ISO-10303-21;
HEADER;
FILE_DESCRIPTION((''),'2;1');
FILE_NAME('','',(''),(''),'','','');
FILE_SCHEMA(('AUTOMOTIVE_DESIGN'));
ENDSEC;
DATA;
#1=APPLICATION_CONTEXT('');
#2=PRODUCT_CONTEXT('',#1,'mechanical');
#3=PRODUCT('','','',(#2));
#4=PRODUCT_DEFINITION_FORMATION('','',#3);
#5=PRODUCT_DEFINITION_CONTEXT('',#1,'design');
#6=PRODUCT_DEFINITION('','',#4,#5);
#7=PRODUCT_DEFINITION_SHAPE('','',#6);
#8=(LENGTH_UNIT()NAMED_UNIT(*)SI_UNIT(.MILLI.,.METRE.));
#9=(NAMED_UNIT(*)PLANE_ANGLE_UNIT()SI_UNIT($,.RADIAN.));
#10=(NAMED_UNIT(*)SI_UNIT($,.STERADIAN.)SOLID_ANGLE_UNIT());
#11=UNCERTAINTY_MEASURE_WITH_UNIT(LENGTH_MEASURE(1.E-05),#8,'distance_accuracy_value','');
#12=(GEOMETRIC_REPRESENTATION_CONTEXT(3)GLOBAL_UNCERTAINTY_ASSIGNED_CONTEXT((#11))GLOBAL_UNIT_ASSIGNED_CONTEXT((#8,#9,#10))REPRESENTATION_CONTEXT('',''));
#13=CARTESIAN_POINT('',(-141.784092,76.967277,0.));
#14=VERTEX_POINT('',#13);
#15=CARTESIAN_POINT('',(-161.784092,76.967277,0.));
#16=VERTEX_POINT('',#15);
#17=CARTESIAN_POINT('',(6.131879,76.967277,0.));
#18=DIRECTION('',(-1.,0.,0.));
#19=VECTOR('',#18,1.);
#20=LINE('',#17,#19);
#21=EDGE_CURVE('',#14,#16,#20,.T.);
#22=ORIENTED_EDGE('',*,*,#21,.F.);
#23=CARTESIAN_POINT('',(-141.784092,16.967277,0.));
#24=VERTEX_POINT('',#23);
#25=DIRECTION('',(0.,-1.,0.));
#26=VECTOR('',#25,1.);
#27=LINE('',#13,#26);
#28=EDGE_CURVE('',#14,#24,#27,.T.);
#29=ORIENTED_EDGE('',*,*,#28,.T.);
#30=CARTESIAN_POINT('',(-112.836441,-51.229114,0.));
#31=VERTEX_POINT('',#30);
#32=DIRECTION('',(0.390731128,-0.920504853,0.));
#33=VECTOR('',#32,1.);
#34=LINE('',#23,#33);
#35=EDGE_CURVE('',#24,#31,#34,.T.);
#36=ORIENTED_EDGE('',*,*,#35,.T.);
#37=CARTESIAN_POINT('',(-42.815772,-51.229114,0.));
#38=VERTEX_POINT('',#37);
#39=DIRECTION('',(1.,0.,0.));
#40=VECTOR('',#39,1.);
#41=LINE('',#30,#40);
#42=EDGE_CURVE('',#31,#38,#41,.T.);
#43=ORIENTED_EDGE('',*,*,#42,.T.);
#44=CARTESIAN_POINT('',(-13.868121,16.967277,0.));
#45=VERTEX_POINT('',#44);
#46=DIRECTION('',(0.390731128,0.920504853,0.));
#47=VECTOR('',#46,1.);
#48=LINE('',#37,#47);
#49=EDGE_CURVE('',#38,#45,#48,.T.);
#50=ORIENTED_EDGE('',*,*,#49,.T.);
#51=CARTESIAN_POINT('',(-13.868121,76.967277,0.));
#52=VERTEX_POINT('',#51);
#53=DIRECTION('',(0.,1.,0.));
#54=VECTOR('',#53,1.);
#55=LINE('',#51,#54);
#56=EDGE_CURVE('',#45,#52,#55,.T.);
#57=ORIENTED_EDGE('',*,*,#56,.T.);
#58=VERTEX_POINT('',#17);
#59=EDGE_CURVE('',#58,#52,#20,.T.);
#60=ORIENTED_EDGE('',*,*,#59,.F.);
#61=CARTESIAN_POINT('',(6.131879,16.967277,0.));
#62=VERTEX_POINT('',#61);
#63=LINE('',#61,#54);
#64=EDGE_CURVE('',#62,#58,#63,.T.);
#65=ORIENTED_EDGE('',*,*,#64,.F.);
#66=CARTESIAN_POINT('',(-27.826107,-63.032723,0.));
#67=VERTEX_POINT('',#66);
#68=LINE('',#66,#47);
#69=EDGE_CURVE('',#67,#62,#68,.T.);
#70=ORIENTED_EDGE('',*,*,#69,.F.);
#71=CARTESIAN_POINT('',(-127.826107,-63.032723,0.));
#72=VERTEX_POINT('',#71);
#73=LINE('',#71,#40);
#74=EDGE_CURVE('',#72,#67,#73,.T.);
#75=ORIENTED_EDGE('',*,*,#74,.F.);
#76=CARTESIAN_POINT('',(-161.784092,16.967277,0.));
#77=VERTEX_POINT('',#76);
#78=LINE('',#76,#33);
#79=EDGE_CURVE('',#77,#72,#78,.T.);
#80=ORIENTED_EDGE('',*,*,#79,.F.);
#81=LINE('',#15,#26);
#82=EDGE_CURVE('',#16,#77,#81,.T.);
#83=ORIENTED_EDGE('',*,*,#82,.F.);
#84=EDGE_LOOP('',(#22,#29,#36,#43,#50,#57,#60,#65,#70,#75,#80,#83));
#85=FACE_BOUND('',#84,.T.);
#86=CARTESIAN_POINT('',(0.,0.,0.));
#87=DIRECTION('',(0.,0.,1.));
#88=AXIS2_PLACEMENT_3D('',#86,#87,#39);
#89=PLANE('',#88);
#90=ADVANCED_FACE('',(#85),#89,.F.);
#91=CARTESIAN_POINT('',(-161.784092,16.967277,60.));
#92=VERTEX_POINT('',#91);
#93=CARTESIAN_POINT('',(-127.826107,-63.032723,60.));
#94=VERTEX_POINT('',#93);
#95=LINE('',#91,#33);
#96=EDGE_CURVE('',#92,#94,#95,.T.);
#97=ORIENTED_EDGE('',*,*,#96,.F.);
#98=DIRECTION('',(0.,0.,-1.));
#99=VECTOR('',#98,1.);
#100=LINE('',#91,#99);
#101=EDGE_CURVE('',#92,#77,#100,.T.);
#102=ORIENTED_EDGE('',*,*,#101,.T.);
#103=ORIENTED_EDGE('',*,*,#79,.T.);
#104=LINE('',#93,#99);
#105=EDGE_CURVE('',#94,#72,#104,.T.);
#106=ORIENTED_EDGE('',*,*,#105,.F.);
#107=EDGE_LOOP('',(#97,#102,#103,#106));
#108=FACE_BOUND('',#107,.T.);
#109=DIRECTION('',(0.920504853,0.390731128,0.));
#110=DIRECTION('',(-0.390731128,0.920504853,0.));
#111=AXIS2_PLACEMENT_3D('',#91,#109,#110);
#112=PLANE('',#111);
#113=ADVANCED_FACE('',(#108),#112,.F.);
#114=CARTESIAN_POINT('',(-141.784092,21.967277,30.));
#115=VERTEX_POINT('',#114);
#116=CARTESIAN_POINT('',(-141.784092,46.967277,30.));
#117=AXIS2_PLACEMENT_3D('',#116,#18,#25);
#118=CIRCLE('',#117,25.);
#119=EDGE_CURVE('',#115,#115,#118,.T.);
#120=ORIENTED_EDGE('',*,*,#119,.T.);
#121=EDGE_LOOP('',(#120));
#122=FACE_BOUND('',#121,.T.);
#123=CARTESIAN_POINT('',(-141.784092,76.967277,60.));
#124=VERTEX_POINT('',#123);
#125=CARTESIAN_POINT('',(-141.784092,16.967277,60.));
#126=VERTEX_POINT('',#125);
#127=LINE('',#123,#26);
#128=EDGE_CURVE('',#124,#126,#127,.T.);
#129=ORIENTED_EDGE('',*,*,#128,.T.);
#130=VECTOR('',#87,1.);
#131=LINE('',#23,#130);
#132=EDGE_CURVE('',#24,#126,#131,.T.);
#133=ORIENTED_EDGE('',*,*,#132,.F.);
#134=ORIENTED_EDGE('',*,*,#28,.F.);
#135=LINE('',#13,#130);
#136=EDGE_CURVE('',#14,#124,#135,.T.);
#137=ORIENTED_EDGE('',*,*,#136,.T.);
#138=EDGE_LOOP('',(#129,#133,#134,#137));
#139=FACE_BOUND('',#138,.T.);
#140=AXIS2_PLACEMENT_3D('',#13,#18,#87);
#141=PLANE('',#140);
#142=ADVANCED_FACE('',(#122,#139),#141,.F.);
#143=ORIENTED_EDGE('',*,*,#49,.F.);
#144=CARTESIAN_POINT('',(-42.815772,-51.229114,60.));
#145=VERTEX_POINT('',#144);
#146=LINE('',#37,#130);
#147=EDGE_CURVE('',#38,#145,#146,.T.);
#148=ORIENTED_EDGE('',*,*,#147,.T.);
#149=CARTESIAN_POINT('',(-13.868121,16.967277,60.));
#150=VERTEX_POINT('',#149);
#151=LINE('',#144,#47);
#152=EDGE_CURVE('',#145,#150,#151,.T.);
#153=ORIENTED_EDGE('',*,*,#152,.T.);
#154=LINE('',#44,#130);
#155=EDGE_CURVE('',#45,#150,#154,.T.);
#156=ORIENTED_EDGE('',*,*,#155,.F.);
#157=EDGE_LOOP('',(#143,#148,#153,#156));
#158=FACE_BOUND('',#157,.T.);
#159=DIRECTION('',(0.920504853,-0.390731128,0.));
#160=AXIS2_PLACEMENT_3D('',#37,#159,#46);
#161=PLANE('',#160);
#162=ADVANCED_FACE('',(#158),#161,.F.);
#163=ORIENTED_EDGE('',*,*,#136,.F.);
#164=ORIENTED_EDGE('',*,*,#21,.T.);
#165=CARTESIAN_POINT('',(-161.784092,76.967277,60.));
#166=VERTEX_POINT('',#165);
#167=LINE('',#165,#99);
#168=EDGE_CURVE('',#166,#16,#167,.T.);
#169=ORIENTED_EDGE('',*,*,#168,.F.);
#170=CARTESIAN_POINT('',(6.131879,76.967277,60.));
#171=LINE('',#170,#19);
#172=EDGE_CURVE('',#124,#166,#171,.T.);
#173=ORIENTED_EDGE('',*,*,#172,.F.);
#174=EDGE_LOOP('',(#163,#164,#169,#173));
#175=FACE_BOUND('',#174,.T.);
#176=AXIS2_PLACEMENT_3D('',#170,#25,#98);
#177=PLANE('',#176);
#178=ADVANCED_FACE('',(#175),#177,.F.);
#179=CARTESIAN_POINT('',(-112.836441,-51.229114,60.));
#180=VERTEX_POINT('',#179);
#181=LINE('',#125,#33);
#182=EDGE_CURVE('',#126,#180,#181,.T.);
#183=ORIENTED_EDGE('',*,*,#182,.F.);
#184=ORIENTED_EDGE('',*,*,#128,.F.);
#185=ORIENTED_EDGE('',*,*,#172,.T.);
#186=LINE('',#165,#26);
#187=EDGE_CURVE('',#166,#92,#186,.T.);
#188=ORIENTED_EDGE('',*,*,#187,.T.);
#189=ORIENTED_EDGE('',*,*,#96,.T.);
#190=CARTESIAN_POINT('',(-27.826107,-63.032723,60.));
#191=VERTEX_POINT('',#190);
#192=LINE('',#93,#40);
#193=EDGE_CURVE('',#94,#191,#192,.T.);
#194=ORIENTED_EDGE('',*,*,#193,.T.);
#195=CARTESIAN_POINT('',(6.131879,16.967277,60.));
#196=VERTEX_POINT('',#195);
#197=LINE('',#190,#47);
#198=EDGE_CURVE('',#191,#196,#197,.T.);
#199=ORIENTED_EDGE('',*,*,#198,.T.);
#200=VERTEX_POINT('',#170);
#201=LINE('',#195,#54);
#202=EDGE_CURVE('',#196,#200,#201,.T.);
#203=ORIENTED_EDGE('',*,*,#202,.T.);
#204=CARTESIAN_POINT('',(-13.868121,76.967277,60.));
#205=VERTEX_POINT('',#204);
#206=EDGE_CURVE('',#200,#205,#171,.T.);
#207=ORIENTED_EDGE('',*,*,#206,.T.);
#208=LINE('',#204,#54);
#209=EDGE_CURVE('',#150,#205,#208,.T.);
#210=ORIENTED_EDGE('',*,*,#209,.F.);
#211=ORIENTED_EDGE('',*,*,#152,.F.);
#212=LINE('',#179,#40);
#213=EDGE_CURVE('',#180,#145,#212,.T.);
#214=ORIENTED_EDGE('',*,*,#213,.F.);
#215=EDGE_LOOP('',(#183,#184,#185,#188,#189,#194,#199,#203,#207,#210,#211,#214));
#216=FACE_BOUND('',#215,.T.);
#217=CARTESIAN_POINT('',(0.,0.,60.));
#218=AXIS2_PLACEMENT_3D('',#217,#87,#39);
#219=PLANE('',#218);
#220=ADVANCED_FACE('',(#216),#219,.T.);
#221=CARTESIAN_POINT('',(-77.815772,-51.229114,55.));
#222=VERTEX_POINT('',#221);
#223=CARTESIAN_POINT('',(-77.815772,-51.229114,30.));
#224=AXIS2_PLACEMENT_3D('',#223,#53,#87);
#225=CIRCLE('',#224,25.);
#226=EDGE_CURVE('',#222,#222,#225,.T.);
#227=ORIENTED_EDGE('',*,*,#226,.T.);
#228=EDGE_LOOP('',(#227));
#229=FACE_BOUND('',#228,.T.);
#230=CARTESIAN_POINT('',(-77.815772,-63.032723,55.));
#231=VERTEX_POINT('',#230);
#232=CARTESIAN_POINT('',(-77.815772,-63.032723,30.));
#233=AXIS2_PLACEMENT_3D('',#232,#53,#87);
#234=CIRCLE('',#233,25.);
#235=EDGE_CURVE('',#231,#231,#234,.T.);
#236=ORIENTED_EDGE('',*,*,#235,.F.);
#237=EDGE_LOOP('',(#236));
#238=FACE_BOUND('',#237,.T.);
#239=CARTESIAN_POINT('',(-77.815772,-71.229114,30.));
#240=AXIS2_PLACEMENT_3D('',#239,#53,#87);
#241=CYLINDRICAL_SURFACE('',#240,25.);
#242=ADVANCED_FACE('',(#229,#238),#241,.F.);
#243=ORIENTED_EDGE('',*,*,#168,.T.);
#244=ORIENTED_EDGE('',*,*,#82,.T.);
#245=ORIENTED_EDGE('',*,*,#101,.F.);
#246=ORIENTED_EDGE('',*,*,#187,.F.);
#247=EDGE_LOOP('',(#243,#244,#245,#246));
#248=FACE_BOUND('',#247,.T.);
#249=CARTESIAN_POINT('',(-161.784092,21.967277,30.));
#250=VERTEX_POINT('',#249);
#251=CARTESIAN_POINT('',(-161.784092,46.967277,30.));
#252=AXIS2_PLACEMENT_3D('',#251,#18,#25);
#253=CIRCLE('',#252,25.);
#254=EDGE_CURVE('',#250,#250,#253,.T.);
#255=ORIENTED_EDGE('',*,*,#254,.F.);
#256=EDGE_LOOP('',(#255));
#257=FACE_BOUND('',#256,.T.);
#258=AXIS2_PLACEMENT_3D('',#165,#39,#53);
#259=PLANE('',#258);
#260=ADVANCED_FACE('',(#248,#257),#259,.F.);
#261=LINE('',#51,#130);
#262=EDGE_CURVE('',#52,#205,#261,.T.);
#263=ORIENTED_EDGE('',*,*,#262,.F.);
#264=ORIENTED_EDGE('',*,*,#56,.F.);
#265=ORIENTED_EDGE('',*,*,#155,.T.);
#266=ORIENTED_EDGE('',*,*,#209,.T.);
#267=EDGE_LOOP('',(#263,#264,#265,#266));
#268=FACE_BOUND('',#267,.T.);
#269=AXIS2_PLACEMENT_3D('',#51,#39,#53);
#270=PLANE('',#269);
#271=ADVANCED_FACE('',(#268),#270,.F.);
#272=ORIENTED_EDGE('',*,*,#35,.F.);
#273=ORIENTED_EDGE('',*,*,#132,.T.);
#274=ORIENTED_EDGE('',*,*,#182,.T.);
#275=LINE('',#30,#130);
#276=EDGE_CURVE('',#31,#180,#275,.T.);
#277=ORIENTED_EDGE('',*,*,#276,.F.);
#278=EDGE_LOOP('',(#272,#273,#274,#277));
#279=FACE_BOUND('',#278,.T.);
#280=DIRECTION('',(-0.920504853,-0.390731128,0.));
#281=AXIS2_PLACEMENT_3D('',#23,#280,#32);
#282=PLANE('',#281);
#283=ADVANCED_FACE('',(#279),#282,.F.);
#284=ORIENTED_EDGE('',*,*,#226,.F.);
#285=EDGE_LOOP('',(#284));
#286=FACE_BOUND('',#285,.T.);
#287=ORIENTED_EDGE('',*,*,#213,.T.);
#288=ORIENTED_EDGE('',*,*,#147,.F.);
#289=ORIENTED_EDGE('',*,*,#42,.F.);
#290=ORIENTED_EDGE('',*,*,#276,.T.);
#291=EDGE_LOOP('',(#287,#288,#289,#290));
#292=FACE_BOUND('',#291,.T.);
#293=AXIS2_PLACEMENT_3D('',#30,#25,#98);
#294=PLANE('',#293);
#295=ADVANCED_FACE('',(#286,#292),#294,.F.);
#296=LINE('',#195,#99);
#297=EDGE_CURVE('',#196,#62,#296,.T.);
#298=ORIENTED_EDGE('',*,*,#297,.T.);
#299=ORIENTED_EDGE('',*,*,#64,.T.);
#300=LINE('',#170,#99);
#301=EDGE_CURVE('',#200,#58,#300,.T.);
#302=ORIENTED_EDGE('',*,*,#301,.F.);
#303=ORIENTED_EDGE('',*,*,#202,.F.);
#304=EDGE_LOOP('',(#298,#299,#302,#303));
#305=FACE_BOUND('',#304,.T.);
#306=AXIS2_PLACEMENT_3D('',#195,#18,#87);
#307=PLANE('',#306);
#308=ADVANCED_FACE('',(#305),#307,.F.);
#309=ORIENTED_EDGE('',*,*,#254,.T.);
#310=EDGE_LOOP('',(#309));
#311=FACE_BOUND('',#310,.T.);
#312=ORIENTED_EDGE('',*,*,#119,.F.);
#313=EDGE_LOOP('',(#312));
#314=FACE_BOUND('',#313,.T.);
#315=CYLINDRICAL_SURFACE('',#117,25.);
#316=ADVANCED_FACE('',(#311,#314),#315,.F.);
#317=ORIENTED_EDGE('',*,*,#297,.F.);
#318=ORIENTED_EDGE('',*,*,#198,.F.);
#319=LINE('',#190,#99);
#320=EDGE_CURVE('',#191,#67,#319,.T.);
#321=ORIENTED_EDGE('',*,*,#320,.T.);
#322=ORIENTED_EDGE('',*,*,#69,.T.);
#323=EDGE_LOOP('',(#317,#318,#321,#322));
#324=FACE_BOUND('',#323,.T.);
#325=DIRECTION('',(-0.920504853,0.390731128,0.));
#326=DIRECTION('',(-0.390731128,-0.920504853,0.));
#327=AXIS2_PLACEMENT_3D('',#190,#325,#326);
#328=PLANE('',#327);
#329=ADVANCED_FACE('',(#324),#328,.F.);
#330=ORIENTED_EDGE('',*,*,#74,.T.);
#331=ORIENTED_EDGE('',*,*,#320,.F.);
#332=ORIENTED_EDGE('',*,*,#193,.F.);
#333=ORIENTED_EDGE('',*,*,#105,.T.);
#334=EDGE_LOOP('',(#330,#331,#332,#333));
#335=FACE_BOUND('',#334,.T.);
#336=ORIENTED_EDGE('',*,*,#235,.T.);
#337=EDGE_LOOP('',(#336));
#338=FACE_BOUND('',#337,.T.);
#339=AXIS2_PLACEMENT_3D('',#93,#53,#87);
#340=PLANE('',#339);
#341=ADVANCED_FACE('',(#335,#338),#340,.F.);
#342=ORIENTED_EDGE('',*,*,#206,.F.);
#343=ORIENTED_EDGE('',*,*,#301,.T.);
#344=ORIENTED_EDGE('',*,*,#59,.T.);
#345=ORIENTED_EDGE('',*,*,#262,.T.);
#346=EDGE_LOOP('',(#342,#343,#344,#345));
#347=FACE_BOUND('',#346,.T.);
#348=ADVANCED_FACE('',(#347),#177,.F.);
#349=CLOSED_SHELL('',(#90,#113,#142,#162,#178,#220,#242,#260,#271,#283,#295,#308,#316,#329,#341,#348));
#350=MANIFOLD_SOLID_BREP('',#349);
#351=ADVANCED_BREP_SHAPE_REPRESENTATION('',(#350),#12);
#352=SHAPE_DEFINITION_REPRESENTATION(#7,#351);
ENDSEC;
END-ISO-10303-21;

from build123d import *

# Parameters (mm, degrees)
EXTRUDE_2_DEPTH     = 60
CUT_EXTRUDE_2_DEPTH = 189.939286944
SKETCH_7_R          = 25
CUT_EXTRUDE_4_DEPTH = 20
SKETCH_8_R          = 25
CUT_EXTRUDE_5_DEPTH = 20


with BuildPart() as part:
    # 草图1 → 凸台-拉伸2 (new body)
    with BuildSketch(Plane.XY):
        Polygon((-161.784091828, 76.967277349), (-161.784091828, 16.967277349), (-127.826106531, -63.032722651), (-27.826106531, -63.032722651), (6.131878766, 16.967277349), (6.131878766, 76.967277349), align=None)
    extrude(amount=EXTRUDE_2_DEPTH)

    # 草图5 → 切除-拉伸2 (cut, through all)
    with BuildSketch(Plane.XY.offset(60)):
        Polygon((-141.784091828, 76.967277349), (-141.784091828, 16.967277349), (-112.836441026, -51.229114277), (-42.815772036, -51.229114277), (-13.868121234, 16.967277349), (-13.868121234, 76.967277349), align=None)
    extrude(amount=-CUT_EXTRUDE_2_DEPTH, mode=Mode.SUBTRACT)

    # 草图7 → 切除-拉伸4 (cut)
    with BuildSketch(Plane.ZY.offset(161.784091828)):
        with Locations(Location((30, 46.967277349, 0), (0, 0, 270))):
            Circle(SKETCH_7_R)
    extrude(amount=-CUT_EXTRUDE_4_DEPTH, mode=Mode.SUBTRACT)

    # 草图8 → 切除-拉伸5 (cut)
    with BuildSketch(Plane(origin=(0, -51.229114277, 0), x_dir=(1, 0, 0), z_dir=(0, 1, 0))):
        with Locations(Location((-77.815772036, -30, 0), (0, 0, 270))):
            Circle(SKETCH_8_R)
    extrude(amount=-CUT_EXTRUDE_5_DEPTH, mode=Mode.SUBTRACT)


solid = part.part
